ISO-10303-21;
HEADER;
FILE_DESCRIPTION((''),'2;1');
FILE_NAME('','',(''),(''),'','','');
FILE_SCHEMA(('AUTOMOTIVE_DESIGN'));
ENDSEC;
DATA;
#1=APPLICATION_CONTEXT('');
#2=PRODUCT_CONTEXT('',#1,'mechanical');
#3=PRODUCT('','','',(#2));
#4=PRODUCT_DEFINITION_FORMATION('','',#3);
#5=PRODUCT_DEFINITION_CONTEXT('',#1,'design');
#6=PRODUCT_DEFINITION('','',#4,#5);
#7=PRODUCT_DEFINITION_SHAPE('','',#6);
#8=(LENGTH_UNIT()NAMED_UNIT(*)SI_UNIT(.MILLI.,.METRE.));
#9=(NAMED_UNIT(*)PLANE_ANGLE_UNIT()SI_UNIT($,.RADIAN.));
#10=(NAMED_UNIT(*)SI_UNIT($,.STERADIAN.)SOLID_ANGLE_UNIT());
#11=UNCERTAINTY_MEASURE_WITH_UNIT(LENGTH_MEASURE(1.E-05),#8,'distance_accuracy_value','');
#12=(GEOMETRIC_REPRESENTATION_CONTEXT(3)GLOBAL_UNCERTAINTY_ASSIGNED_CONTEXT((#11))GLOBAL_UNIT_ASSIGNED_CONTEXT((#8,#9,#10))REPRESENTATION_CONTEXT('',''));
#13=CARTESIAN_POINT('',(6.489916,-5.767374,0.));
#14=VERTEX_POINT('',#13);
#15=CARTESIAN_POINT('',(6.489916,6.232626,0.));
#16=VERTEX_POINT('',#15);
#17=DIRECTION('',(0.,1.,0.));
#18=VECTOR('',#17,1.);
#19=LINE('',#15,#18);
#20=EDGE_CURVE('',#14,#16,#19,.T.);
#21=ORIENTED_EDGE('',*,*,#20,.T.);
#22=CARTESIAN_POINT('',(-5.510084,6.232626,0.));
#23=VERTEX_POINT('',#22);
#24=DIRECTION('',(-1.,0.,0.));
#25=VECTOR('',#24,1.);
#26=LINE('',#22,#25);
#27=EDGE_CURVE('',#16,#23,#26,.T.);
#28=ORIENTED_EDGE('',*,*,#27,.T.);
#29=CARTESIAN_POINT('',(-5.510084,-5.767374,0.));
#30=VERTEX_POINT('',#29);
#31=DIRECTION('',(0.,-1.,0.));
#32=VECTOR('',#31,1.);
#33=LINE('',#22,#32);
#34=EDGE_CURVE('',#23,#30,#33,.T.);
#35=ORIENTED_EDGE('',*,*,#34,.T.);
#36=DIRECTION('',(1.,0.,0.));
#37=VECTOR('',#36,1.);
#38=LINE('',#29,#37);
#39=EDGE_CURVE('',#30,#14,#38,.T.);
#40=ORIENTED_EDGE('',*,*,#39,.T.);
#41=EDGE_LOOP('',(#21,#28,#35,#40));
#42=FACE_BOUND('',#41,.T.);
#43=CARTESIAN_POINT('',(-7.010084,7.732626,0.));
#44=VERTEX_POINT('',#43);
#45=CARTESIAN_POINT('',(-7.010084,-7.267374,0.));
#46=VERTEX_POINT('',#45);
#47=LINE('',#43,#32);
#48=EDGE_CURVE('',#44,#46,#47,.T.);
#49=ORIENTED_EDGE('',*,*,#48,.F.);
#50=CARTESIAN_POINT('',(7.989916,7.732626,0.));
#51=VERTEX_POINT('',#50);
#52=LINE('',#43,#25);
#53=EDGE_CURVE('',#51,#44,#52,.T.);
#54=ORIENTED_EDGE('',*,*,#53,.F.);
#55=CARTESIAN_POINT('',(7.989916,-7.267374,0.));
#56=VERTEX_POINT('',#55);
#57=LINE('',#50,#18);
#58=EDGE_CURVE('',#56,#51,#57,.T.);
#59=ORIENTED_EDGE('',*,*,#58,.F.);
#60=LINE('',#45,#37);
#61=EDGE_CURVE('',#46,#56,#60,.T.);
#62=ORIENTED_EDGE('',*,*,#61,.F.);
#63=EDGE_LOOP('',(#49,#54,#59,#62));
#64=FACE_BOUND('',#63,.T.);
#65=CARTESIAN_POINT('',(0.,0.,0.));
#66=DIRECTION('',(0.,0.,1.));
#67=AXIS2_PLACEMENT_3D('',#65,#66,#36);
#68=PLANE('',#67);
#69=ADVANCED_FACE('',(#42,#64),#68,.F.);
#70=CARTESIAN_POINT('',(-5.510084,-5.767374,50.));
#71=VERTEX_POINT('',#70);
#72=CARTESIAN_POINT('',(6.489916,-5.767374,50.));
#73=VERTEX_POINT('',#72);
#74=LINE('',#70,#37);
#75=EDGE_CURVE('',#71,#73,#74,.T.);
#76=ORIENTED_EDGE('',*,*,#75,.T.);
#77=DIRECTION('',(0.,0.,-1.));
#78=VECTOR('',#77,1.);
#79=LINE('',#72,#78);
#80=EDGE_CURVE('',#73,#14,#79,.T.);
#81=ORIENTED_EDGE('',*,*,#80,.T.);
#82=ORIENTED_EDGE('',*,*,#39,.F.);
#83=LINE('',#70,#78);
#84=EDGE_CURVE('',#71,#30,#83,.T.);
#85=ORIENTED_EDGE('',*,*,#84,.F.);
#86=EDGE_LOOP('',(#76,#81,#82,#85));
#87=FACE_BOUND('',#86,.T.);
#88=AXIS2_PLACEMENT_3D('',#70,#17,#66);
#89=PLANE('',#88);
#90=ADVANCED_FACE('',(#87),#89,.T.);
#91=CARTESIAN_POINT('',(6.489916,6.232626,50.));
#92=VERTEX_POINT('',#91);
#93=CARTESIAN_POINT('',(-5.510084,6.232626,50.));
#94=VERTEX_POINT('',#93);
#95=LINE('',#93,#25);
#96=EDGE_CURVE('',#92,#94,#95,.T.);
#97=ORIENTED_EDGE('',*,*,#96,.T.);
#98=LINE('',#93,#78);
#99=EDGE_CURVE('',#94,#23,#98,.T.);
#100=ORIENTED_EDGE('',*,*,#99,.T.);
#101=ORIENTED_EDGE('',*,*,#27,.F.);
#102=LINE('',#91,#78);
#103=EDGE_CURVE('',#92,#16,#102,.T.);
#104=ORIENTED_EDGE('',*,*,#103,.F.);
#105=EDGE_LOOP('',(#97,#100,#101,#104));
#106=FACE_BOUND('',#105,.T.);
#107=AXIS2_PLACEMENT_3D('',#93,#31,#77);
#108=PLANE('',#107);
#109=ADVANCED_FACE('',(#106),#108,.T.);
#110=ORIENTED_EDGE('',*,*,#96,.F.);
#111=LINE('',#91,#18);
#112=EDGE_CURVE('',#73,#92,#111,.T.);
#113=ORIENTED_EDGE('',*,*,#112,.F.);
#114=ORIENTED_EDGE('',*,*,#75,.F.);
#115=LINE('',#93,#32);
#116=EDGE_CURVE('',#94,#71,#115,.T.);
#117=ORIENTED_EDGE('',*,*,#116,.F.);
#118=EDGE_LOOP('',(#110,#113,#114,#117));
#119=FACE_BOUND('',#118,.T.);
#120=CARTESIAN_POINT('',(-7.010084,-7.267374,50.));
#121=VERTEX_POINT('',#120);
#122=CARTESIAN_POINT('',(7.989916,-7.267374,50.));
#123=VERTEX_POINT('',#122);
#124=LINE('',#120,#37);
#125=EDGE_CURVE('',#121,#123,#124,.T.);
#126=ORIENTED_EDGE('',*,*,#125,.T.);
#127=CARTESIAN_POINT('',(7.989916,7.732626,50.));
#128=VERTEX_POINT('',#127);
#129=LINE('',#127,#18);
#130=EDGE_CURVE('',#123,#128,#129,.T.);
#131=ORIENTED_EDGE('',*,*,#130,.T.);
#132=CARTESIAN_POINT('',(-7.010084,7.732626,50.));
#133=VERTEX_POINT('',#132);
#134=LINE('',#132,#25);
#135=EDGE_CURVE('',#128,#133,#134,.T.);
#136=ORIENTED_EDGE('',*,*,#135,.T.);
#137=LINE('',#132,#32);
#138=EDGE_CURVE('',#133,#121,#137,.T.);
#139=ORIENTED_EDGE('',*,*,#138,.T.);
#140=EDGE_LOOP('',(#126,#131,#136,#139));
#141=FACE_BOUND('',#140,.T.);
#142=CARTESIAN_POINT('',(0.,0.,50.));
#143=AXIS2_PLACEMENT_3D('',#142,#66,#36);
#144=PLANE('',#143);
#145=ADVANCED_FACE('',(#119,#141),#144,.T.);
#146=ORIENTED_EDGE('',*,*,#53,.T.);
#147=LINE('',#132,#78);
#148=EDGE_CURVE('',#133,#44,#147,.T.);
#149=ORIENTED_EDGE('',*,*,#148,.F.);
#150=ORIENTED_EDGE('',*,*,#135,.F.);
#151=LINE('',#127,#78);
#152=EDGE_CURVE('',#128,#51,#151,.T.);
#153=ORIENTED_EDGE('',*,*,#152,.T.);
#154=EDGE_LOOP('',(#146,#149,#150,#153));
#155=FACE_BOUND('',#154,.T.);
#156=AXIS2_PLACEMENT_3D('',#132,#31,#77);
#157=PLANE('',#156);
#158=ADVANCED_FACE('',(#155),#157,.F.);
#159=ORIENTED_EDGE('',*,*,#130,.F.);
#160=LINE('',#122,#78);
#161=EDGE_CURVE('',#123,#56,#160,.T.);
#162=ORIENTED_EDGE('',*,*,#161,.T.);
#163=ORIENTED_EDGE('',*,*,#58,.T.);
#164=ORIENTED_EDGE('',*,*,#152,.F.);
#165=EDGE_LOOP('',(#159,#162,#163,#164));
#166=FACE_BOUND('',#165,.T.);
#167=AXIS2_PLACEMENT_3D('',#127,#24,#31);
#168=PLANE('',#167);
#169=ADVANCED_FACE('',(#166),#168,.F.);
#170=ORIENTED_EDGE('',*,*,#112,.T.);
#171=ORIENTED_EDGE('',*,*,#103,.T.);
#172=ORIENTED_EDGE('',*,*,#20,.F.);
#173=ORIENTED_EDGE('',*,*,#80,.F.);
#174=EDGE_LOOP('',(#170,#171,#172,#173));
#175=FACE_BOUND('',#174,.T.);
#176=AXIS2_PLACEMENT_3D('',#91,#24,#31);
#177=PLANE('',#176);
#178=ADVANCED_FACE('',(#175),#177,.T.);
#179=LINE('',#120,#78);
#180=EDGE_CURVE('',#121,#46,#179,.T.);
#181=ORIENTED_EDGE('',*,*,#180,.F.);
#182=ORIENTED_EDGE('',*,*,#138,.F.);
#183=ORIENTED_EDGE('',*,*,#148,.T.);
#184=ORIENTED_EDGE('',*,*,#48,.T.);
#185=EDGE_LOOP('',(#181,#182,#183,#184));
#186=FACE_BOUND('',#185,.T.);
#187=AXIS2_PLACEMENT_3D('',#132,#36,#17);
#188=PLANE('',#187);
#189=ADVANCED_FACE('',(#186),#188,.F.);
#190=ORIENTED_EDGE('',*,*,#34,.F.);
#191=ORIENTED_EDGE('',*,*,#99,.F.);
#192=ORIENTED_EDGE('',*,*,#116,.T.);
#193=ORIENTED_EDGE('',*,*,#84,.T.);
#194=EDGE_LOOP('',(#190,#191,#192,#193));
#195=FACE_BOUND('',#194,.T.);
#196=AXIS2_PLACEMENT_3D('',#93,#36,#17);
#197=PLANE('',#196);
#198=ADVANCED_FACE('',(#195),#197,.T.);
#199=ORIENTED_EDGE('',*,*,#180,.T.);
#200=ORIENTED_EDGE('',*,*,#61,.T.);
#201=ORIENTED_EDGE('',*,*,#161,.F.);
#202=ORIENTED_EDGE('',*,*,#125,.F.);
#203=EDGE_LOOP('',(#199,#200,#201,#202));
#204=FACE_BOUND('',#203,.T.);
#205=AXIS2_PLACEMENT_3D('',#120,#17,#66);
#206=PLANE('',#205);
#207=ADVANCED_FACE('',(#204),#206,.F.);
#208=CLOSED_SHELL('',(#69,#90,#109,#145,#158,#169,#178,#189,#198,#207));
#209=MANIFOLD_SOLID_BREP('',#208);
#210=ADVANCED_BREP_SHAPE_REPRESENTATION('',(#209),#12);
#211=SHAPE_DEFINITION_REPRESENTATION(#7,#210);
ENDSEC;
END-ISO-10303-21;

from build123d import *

# Parameters (mm, degrees)
SKETCH_1_W      = 15
SKETCH_1_H      = 15
SKETCH_1_W_2    = 12
SKETCH_1_H_2    = 12
EXTRUDE_2_DEPTH = 50


with BuildPart() as part:
    # ｽｹｯﾁ1 → ﾎﾞｽ - 押し出し2 (new body)
    with BuildSketch(Plane.XY):
        with Locations((0.489915859, 0.232626086)):
            Rectangle(SKETCH_1_W, SKETCH_1_H)
        with Locations((0.489915859, 0.232626086)):
            Rectangle(SKETCH_1_W_2, SKETCH_1_H_2, mode=Mode.SUBTRACT)
    extrude(amount=EXTRUDE_2_DEPTH)


solid = part.part
